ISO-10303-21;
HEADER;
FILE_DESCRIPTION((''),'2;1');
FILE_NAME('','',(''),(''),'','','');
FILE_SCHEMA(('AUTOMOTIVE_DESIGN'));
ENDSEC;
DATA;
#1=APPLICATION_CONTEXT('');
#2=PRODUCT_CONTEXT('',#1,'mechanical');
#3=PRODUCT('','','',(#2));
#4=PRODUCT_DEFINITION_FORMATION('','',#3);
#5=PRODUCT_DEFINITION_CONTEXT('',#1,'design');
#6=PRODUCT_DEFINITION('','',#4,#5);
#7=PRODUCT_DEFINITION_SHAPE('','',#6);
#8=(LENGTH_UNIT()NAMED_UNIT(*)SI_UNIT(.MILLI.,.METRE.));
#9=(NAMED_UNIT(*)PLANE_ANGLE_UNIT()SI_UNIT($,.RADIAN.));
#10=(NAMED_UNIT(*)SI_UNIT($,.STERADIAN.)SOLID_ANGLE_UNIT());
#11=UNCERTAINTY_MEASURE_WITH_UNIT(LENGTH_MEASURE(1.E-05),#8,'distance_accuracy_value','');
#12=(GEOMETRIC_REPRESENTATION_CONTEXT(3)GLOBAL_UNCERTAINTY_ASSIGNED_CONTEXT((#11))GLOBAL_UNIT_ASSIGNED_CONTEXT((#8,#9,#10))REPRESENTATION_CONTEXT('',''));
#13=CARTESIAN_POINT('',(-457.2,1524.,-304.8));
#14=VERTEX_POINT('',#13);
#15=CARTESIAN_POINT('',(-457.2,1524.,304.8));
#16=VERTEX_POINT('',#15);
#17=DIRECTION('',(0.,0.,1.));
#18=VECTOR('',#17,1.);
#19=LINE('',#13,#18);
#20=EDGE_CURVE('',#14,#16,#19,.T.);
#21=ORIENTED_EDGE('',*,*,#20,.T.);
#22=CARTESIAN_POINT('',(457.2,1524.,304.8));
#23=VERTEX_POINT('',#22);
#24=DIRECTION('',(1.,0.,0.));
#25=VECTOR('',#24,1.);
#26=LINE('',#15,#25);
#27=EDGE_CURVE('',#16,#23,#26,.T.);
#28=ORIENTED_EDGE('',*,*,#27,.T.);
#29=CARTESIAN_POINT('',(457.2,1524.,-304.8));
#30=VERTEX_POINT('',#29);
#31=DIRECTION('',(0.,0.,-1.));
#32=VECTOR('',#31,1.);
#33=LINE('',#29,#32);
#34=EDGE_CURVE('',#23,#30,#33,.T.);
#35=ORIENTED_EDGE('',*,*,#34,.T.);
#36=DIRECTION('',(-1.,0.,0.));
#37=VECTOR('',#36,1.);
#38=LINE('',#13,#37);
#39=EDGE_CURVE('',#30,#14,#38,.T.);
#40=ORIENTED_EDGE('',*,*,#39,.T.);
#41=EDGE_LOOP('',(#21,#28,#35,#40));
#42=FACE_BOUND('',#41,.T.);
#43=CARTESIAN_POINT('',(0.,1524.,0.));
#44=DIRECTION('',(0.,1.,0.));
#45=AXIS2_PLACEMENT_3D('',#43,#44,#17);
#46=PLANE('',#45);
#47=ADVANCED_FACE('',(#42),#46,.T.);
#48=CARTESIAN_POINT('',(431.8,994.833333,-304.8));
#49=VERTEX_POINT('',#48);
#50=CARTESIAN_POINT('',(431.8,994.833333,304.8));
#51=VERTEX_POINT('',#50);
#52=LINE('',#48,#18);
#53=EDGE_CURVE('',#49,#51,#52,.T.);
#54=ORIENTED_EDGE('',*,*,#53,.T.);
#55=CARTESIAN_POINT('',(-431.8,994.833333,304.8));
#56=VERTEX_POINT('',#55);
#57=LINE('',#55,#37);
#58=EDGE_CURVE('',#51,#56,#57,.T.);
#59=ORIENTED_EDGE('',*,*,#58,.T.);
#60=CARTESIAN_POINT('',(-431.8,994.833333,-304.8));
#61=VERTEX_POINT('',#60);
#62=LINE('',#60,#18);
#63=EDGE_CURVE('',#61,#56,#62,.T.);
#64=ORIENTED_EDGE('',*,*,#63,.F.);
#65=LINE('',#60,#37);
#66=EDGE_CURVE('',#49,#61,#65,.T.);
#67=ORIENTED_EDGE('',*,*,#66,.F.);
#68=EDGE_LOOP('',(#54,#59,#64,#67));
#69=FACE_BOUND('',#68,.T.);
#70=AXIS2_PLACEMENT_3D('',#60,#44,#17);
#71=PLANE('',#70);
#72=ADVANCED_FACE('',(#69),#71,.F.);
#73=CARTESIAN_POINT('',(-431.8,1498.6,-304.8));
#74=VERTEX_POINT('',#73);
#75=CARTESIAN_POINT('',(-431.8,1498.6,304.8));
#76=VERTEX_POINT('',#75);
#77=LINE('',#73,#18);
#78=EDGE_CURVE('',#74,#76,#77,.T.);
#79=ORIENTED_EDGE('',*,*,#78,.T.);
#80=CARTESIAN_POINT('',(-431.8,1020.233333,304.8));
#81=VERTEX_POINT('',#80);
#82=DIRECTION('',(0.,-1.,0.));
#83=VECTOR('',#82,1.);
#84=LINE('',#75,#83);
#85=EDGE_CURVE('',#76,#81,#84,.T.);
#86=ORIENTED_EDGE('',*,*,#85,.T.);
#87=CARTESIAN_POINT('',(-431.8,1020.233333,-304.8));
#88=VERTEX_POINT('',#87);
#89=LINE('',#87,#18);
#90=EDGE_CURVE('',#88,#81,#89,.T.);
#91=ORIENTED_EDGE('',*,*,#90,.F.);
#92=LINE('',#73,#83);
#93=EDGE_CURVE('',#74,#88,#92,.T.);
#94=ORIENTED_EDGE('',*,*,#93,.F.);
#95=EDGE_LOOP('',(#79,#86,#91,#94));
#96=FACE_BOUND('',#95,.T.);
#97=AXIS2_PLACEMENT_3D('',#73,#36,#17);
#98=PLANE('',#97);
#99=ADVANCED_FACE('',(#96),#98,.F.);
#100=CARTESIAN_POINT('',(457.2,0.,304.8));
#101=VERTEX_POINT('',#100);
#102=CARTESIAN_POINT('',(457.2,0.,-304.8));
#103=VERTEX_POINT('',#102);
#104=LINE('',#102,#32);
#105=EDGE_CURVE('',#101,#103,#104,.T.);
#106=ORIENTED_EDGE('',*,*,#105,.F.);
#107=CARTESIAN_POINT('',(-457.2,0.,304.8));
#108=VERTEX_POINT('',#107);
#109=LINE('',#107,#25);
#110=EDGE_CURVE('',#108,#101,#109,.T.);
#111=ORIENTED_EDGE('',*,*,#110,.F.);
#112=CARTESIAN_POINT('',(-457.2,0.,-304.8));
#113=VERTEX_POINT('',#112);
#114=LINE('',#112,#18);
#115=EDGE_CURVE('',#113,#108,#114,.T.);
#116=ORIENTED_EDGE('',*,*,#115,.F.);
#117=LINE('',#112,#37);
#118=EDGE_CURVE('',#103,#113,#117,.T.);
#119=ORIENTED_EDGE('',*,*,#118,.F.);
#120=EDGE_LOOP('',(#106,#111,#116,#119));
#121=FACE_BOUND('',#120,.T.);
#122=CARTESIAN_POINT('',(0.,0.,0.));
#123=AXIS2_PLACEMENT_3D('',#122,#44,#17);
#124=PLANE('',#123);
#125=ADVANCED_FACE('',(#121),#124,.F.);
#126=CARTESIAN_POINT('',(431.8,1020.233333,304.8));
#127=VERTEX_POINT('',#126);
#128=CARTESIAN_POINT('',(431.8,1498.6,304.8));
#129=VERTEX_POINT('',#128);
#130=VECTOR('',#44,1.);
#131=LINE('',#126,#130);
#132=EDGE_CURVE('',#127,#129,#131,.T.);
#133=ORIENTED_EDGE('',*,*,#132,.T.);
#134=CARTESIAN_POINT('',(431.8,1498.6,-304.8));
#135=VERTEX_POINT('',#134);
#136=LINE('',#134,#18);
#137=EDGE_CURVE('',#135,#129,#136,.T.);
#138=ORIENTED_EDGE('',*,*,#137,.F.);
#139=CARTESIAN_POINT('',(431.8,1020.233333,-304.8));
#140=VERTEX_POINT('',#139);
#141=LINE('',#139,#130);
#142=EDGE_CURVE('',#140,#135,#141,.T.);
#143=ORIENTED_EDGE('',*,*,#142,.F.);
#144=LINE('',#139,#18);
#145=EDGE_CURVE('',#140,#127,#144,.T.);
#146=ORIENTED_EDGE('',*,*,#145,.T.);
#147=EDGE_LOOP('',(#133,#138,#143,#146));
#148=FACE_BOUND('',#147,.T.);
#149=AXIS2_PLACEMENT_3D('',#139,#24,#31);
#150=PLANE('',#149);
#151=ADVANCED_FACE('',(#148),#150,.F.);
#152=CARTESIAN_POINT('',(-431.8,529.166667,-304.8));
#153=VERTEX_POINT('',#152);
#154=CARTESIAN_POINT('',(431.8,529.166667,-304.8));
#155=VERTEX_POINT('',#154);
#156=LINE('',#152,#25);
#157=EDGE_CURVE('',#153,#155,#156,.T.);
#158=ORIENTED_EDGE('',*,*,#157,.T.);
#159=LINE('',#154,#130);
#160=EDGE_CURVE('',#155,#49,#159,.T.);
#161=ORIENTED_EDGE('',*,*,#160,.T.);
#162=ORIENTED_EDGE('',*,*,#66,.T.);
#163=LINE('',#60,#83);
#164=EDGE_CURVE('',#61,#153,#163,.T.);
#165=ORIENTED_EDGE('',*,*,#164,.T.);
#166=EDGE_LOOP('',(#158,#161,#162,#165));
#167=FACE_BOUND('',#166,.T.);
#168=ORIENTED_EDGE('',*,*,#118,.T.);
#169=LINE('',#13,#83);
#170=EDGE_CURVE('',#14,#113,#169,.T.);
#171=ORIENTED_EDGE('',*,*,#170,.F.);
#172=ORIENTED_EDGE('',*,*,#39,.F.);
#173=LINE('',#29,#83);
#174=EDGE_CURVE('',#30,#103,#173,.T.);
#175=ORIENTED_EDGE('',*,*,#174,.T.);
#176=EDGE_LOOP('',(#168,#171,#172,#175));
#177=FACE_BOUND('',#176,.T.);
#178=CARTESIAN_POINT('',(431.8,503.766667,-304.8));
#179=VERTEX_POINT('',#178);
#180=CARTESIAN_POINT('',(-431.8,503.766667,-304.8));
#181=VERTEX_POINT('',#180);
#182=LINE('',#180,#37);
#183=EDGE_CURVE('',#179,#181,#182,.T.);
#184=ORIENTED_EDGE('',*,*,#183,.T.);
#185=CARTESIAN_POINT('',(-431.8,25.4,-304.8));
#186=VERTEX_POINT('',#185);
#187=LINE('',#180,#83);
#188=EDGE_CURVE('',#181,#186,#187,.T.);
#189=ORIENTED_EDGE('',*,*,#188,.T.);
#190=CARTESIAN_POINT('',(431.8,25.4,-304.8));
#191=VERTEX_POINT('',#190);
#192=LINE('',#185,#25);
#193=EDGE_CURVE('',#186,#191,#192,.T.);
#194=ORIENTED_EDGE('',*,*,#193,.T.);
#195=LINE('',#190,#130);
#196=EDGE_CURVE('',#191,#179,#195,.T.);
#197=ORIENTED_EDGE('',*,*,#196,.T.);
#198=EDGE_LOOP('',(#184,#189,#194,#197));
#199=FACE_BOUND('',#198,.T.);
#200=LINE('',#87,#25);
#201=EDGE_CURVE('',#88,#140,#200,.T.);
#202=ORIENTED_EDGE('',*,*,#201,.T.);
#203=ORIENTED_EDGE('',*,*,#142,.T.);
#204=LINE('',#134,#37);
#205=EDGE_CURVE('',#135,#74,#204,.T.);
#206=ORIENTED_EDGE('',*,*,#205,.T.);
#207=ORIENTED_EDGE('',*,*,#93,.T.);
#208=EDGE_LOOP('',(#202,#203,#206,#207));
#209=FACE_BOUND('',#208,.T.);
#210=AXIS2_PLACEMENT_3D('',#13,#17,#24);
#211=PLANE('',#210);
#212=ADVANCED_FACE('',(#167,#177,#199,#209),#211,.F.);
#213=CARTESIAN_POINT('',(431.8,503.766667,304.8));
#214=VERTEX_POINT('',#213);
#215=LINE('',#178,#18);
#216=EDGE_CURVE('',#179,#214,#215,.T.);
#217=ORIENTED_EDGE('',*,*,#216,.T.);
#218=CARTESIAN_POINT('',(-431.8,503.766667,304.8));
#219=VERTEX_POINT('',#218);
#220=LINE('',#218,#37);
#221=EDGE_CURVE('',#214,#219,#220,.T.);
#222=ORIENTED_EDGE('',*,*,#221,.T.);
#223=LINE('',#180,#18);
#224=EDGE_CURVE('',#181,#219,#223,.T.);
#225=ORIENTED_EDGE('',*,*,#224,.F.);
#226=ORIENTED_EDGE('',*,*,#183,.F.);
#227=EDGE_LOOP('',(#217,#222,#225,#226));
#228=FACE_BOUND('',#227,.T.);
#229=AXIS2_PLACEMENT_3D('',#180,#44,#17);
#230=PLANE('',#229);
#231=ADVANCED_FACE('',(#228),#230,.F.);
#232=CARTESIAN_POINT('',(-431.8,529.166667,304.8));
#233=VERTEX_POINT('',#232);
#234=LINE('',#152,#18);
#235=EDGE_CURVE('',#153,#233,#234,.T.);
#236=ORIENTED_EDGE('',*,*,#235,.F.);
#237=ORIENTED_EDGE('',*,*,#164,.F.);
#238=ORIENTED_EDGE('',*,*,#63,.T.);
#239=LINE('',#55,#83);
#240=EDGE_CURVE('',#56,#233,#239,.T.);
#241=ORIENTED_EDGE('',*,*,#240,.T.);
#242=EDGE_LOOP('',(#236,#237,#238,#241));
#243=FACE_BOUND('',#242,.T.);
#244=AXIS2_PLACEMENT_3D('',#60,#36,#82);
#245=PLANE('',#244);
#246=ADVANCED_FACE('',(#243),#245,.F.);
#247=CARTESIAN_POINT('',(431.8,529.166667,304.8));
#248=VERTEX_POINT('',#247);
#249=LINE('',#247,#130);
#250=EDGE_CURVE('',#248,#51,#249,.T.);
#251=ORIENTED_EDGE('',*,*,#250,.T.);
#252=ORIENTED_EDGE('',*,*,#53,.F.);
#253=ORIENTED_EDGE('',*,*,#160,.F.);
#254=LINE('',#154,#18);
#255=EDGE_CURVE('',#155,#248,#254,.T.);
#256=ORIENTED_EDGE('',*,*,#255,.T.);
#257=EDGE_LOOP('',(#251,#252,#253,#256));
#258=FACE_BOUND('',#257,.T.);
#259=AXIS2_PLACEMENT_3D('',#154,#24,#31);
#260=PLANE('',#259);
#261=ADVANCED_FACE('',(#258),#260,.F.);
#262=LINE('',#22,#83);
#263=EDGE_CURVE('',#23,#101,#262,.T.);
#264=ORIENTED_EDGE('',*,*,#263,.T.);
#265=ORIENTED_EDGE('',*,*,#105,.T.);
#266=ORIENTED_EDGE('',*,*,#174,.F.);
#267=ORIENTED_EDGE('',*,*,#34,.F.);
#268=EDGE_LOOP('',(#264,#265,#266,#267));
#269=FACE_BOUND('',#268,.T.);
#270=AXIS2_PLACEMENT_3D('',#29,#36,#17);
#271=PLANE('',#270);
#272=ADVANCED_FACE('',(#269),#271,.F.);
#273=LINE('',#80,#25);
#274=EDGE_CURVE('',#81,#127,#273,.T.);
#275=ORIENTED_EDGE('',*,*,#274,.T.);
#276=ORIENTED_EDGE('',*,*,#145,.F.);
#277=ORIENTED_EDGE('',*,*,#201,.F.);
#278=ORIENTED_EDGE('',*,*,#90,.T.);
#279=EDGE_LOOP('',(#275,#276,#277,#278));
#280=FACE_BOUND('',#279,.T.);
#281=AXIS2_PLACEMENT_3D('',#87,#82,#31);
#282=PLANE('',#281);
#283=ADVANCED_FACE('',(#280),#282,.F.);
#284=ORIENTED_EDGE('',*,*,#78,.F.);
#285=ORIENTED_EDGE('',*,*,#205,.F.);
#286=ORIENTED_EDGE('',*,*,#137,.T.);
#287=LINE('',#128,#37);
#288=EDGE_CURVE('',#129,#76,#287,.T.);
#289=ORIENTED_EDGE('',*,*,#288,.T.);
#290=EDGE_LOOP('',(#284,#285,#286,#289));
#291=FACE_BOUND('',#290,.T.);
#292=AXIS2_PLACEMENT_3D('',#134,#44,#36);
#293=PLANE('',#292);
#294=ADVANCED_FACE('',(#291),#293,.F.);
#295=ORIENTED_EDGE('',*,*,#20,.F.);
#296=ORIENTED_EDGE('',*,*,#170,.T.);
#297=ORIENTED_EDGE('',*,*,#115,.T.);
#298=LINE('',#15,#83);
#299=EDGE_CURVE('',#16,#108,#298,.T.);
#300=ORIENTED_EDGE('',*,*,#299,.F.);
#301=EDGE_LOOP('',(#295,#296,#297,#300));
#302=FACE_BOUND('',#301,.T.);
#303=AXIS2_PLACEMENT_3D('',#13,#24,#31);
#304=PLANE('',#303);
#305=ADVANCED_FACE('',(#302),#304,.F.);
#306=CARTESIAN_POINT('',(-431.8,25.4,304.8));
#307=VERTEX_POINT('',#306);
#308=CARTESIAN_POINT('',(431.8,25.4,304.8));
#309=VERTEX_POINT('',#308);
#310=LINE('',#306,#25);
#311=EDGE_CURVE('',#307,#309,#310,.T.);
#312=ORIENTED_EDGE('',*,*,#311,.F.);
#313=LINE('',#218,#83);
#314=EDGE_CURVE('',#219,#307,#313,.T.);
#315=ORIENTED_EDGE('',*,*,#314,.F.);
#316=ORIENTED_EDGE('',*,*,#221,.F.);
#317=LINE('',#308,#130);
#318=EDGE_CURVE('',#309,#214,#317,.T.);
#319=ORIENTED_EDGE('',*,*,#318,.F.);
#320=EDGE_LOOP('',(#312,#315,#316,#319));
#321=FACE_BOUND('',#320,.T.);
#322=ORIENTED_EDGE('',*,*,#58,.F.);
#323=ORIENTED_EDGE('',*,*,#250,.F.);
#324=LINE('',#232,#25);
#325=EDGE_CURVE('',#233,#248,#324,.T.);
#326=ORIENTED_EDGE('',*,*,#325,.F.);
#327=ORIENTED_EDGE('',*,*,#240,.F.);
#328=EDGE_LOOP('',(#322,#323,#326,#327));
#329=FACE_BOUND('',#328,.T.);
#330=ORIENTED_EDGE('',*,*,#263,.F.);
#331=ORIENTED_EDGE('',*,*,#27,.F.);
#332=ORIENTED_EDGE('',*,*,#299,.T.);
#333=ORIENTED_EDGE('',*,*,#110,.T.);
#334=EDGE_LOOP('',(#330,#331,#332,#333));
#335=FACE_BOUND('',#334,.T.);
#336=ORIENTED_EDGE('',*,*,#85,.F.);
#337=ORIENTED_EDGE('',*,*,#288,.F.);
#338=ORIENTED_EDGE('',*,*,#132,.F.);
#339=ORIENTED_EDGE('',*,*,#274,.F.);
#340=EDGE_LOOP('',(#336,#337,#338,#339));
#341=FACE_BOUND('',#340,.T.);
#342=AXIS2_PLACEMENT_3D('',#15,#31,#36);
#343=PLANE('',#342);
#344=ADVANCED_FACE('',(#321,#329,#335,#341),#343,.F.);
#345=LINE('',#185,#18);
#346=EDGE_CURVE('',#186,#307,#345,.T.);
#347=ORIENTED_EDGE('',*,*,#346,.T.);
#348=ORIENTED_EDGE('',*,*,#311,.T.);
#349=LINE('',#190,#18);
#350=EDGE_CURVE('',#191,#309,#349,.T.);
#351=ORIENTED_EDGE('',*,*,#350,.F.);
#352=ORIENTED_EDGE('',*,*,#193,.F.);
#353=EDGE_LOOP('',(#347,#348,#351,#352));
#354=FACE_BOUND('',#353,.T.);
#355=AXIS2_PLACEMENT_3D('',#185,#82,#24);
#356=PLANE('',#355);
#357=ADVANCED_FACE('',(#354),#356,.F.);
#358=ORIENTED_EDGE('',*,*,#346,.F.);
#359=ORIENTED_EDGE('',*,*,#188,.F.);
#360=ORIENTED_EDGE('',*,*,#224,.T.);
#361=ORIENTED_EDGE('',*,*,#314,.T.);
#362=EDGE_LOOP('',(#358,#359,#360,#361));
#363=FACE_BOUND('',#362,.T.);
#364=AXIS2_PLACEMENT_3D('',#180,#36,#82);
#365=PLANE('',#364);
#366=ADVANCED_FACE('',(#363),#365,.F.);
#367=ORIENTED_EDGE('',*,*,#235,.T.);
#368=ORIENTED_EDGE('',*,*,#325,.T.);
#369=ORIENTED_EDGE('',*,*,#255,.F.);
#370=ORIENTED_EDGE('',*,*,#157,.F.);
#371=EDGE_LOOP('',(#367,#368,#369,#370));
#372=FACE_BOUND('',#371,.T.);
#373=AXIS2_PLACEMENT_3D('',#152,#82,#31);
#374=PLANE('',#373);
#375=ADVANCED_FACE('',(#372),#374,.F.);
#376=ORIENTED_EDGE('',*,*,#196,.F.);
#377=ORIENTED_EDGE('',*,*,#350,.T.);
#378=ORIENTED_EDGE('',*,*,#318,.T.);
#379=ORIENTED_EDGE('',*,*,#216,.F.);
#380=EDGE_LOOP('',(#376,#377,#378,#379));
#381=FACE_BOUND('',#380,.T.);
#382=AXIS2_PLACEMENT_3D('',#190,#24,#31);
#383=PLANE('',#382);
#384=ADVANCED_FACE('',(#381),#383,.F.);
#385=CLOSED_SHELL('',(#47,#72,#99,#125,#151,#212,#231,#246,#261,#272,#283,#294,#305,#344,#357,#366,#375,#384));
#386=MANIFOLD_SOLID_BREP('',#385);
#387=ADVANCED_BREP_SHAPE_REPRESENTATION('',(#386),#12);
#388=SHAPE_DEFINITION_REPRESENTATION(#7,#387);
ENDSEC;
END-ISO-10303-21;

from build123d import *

# Parameters (mm, degrees)
SKETCH1_W           = 914.4
SKETCH1_H           = 609.6
BOSS_EXTRUDE1_DEPTH = 1524
SKETCH2_W           = 863.6
SKETCH2_H           = 478.366666667
SKETCH2_H_2         = 465.666666666
CUT_EXTRUDE1_DEPTH  = 1704.883798855


with BuildPart() as part:
    # Sketch1 → Boss-Extrude1 (new body)
    with BuildSketch(Plane(origin=(0, 0, 0), x_dir=(1, 0, 0), z_dir=(0, 1, 0))):
        Rectangle(SKETCH1_W, SKETCH1_H)
    extrude(amount=BOSS_EXTRUDE1_DEPTH)

    # Sketch2 → Cut-Extrude1 (cut, through all)
    with BuildSketch(Plane.XY.offset(304.8)):
        with Locations((0, 264.583333334)):
            Rectangle(SKETCH2_W, SKETCH2_H)
        with Locations((0, 1259.416666667)):
            Rectangle(SKETCH2_W, SKETCH2_H)
        with Locations((0, 762)):
            Rectangle(SKETCH2_W, SKETCH2_H_2)
    extrude(amount=-CUT_EXTRUDE1_DEPTH, mode=Mode.SUBTRACT)


solid = part.part
